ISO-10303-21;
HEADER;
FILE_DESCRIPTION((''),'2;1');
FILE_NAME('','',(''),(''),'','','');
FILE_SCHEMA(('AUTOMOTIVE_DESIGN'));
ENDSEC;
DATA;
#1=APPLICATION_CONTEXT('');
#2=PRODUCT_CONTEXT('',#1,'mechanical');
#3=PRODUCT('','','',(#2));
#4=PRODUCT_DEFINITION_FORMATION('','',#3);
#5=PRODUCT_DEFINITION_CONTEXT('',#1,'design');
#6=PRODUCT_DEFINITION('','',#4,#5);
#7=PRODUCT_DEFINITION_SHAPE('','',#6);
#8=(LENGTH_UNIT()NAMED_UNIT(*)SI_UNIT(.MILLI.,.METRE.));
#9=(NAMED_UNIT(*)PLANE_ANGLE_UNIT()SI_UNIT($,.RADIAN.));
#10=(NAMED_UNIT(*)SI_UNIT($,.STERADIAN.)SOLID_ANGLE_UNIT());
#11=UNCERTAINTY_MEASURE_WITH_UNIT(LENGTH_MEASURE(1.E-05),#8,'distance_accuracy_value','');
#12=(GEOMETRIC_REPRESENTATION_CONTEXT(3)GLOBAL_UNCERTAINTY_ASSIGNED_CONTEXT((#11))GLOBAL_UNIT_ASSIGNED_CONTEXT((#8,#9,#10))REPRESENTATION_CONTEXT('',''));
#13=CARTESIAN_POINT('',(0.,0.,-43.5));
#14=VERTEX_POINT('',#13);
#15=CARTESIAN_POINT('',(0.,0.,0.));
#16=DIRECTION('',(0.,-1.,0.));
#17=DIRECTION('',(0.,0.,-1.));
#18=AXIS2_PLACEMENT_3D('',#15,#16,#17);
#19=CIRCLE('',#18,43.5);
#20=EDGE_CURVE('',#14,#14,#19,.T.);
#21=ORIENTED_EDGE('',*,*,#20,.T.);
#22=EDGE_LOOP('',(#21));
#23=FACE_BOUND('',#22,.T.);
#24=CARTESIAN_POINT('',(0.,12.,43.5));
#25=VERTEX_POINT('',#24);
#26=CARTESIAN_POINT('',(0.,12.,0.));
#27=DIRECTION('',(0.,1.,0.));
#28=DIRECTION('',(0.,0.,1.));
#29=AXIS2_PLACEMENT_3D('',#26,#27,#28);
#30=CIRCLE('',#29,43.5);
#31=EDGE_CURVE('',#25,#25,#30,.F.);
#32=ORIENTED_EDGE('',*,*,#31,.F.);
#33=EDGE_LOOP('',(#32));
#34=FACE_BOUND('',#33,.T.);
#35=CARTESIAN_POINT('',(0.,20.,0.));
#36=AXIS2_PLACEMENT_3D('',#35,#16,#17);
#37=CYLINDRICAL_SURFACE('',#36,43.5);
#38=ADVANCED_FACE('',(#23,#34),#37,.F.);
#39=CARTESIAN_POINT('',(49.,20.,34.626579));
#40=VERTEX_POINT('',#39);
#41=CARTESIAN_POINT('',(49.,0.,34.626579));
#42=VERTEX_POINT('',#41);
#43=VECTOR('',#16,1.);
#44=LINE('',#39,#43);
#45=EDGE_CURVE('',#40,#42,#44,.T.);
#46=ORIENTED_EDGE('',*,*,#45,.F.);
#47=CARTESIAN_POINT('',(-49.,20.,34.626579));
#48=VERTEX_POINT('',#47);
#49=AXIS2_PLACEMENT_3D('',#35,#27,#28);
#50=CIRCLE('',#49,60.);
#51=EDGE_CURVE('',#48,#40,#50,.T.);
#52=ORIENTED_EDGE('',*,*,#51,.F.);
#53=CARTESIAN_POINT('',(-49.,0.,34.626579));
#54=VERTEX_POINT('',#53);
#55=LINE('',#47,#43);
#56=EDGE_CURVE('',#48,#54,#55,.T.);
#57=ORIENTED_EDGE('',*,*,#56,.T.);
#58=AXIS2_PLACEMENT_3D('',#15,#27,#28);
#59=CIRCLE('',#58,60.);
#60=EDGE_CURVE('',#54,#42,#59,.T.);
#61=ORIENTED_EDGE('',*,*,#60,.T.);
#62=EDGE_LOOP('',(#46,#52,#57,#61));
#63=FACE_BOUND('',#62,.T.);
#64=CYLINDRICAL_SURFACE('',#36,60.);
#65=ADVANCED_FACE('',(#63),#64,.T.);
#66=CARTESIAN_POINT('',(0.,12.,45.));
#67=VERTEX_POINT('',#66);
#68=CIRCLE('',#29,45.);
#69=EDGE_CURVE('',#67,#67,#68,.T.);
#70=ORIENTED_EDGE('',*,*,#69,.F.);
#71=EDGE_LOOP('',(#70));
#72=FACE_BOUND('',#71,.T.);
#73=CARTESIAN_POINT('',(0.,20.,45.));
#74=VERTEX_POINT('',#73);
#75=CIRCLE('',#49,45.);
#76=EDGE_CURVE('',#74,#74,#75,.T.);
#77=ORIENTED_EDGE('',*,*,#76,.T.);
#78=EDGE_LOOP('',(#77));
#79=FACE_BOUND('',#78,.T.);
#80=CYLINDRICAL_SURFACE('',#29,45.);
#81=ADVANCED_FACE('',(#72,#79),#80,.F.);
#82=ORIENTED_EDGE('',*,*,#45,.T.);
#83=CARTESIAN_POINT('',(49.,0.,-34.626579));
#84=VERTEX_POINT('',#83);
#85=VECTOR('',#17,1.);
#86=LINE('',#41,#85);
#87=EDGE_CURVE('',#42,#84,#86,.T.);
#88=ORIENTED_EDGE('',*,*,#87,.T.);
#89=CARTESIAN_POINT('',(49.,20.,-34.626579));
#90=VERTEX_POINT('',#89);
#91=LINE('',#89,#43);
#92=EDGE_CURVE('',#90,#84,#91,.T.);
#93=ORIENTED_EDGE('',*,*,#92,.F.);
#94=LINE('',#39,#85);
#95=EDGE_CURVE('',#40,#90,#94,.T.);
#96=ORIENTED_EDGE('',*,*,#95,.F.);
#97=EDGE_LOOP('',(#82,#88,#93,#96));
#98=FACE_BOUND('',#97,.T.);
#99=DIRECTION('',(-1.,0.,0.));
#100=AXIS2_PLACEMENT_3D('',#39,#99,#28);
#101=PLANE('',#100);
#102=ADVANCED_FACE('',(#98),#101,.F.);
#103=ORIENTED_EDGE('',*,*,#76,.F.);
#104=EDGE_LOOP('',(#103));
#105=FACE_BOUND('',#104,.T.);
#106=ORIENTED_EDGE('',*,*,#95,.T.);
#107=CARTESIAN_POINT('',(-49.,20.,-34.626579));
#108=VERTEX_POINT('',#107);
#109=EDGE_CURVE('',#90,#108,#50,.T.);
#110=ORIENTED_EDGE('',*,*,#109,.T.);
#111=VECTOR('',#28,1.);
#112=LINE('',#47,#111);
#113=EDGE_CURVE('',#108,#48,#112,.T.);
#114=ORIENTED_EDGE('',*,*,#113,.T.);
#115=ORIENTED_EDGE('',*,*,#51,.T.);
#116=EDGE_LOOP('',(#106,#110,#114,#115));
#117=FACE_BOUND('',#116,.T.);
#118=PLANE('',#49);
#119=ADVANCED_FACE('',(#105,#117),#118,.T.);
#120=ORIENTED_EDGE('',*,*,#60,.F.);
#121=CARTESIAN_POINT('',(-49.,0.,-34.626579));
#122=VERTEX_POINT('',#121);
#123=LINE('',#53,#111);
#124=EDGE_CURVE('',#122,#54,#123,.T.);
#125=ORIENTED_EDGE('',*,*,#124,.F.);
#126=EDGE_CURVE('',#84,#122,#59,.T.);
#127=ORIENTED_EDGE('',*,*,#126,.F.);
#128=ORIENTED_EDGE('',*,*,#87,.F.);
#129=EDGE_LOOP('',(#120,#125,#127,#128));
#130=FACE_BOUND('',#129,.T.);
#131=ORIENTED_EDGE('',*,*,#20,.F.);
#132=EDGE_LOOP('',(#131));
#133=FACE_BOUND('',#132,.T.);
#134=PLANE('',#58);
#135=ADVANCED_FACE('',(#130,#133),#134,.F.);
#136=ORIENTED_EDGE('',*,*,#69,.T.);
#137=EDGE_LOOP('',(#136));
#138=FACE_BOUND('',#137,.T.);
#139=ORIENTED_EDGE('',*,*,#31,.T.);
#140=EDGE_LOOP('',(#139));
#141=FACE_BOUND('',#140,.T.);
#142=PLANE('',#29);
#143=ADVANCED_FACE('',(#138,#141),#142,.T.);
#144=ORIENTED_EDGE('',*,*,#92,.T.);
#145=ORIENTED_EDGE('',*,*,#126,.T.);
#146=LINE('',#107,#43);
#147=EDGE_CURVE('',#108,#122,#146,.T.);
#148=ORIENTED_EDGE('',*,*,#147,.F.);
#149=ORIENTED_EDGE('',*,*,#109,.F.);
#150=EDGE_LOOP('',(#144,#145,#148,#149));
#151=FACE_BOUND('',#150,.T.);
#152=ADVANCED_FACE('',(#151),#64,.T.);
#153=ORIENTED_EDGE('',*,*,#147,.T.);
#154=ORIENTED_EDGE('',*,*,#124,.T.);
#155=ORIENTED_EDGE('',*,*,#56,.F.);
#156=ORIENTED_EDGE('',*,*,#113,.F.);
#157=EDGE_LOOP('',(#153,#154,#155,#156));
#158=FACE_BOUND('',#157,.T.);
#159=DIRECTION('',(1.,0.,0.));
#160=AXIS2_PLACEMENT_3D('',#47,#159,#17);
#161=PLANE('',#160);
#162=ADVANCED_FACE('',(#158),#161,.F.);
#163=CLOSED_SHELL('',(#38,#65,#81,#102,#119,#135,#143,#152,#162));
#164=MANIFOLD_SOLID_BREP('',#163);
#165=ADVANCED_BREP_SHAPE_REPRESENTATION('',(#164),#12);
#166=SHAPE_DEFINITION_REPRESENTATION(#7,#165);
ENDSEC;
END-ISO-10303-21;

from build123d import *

# Parameters (mm, degrees)
BOSS_EXTRUDE1_DEPTH = 20
SKETCH2_R           = 43.5
CUT_EXTRUDE2_DEPTH  = 81.006249756
SKETCH3_R           = 45
CUT_EXTRUDE3_DEPTH  = 8


with BuildPart() as part:
    # Sketch1 → Boss-Extrude1 (new body)
    with BuildSketch(Plane(origin=(0, 0, 0), x_dir=(1, 0, 0), z_dir=(0, 1, 0))):
        with BuildLine():
            Line((-49, -34.626579386), (-49, 34.626579386))
            ThreePointArc((-49, 34.626579386), (0, 60), (49, 34.626579386))
            Line((49, 34.626579386), (49, -34.626579386))
            ThreePointArc((49, -34.626579386), (0, -60), (-49, -34.626579386))
        make_face()
    extrude(amount=BOSS_EXTRUDE1_DEPTH)

    # Sketch2 → Cut-Extrude2 (cut, through all)
    with BuildSketch(Plane.XZ):
        with Locations(Location((0, 0, 0), (0, 0, 270))):
            Circle(SKETCH2_R)
    extrude(amount=-CUT_EXTRUDE2_DEPTH, mode=Mode.SUBTRACT)

    # Sketch3 → Cut-Extrude3 (cut)
    with BuildSketch(Plane(origin=(0, 20, 0), x_dir=(1, 0, 0), z_dir=(0, 1, 0))):
        with Locations(Location((0, 0, 0), (0, 0, 270))):
            Circle(SKETCH3_R)
    extrude(amount=-CUT_EXTRUDE3_DEPTH, mode=Mode.SUBTRACT)


solid = part.part
